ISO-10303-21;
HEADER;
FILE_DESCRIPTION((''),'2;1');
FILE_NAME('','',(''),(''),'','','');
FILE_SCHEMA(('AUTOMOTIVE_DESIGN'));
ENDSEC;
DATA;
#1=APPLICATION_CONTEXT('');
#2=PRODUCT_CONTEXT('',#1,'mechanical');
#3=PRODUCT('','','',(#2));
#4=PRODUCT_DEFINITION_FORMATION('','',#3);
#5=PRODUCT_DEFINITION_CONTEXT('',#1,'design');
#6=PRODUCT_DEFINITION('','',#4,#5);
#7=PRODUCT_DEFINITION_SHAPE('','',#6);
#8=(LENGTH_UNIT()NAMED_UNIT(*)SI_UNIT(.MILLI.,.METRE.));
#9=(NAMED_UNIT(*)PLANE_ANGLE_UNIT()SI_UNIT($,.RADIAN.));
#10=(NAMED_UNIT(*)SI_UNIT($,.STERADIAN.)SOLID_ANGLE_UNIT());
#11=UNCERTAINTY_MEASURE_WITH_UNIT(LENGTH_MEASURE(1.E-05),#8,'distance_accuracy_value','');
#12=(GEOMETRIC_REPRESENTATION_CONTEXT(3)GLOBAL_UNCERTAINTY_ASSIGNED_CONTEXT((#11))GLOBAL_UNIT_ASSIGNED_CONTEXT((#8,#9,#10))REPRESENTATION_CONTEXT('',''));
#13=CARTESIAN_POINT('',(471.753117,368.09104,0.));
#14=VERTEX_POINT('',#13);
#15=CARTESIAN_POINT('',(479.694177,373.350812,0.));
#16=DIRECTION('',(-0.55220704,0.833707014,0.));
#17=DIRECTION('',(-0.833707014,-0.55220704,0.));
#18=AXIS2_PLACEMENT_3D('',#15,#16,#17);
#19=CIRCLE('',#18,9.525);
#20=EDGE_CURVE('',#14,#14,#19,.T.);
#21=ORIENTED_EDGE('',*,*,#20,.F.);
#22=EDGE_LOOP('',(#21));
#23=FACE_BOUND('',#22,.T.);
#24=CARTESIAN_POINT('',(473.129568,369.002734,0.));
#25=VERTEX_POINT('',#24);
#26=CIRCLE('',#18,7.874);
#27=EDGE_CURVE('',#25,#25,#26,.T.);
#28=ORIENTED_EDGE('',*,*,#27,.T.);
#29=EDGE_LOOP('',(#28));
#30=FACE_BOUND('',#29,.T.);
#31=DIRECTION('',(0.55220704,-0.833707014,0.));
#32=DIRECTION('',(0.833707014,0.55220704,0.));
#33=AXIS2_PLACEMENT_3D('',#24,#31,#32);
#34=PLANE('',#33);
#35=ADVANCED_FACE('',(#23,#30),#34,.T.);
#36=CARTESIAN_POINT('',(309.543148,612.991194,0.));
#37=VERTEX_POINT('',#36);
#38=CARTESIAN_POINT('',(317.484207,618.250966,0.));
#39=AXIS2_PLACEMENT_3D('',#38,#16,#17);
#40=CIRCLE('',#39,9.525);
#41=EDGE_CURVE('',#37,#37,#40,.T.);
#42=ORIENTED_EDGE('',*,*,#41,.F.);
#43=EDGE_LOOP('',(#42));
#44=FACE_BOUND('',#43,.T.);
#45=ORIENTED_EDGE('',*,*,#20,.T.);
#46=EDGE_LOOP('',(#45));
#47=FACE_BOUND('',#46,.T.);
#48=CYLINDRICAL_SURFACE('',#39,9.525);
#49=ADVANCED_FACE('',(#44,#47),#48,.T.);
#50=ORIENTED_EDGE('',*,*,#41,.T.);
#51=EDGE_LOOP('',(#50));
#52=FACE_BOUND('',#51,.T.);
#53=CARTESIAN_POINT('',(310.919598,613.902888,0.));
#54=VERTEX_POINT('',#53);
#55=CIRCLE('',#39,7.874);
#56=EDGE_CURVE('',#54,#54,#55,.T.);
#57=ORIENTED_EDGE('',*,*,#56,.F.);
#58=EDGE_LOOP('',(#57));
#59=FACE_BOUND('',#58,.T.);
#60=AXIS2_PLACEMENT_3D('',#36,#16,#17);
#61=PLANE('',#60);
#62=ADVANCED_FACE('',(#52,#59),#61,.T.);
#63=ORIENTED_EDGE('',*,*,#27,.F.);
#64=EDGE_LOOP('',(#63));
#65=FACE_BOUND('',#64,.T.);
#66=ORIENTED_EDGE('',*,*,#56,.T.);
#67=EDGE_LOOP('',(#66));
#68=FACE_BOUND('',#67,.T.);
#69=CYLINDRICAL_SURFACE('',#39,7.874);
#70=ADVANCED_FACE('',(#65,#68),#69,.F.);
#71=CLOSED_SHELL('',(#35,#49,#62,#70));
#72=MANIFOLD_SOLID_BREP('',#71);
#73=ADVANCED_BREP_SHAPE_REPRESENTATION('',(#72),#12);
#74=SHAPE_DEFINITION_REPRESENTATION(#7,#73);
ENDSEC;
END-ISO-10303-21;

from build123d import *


with BuildPart() as part:
    # Sketch1 → Revolve1 (revolve)
    with BuildSketch(Plane.XY):
        Polygon((473.129567746, 369.002734145), (471.753117467, 368.091040321), (309.543148139, 612.991194255), (310.919598419, 613.902888079), align=None)
    revolve(axis=Axis((317.484207445, 618.250966313, 0), (0.55220704, -0.833707014, 0)))


solid = part.part
